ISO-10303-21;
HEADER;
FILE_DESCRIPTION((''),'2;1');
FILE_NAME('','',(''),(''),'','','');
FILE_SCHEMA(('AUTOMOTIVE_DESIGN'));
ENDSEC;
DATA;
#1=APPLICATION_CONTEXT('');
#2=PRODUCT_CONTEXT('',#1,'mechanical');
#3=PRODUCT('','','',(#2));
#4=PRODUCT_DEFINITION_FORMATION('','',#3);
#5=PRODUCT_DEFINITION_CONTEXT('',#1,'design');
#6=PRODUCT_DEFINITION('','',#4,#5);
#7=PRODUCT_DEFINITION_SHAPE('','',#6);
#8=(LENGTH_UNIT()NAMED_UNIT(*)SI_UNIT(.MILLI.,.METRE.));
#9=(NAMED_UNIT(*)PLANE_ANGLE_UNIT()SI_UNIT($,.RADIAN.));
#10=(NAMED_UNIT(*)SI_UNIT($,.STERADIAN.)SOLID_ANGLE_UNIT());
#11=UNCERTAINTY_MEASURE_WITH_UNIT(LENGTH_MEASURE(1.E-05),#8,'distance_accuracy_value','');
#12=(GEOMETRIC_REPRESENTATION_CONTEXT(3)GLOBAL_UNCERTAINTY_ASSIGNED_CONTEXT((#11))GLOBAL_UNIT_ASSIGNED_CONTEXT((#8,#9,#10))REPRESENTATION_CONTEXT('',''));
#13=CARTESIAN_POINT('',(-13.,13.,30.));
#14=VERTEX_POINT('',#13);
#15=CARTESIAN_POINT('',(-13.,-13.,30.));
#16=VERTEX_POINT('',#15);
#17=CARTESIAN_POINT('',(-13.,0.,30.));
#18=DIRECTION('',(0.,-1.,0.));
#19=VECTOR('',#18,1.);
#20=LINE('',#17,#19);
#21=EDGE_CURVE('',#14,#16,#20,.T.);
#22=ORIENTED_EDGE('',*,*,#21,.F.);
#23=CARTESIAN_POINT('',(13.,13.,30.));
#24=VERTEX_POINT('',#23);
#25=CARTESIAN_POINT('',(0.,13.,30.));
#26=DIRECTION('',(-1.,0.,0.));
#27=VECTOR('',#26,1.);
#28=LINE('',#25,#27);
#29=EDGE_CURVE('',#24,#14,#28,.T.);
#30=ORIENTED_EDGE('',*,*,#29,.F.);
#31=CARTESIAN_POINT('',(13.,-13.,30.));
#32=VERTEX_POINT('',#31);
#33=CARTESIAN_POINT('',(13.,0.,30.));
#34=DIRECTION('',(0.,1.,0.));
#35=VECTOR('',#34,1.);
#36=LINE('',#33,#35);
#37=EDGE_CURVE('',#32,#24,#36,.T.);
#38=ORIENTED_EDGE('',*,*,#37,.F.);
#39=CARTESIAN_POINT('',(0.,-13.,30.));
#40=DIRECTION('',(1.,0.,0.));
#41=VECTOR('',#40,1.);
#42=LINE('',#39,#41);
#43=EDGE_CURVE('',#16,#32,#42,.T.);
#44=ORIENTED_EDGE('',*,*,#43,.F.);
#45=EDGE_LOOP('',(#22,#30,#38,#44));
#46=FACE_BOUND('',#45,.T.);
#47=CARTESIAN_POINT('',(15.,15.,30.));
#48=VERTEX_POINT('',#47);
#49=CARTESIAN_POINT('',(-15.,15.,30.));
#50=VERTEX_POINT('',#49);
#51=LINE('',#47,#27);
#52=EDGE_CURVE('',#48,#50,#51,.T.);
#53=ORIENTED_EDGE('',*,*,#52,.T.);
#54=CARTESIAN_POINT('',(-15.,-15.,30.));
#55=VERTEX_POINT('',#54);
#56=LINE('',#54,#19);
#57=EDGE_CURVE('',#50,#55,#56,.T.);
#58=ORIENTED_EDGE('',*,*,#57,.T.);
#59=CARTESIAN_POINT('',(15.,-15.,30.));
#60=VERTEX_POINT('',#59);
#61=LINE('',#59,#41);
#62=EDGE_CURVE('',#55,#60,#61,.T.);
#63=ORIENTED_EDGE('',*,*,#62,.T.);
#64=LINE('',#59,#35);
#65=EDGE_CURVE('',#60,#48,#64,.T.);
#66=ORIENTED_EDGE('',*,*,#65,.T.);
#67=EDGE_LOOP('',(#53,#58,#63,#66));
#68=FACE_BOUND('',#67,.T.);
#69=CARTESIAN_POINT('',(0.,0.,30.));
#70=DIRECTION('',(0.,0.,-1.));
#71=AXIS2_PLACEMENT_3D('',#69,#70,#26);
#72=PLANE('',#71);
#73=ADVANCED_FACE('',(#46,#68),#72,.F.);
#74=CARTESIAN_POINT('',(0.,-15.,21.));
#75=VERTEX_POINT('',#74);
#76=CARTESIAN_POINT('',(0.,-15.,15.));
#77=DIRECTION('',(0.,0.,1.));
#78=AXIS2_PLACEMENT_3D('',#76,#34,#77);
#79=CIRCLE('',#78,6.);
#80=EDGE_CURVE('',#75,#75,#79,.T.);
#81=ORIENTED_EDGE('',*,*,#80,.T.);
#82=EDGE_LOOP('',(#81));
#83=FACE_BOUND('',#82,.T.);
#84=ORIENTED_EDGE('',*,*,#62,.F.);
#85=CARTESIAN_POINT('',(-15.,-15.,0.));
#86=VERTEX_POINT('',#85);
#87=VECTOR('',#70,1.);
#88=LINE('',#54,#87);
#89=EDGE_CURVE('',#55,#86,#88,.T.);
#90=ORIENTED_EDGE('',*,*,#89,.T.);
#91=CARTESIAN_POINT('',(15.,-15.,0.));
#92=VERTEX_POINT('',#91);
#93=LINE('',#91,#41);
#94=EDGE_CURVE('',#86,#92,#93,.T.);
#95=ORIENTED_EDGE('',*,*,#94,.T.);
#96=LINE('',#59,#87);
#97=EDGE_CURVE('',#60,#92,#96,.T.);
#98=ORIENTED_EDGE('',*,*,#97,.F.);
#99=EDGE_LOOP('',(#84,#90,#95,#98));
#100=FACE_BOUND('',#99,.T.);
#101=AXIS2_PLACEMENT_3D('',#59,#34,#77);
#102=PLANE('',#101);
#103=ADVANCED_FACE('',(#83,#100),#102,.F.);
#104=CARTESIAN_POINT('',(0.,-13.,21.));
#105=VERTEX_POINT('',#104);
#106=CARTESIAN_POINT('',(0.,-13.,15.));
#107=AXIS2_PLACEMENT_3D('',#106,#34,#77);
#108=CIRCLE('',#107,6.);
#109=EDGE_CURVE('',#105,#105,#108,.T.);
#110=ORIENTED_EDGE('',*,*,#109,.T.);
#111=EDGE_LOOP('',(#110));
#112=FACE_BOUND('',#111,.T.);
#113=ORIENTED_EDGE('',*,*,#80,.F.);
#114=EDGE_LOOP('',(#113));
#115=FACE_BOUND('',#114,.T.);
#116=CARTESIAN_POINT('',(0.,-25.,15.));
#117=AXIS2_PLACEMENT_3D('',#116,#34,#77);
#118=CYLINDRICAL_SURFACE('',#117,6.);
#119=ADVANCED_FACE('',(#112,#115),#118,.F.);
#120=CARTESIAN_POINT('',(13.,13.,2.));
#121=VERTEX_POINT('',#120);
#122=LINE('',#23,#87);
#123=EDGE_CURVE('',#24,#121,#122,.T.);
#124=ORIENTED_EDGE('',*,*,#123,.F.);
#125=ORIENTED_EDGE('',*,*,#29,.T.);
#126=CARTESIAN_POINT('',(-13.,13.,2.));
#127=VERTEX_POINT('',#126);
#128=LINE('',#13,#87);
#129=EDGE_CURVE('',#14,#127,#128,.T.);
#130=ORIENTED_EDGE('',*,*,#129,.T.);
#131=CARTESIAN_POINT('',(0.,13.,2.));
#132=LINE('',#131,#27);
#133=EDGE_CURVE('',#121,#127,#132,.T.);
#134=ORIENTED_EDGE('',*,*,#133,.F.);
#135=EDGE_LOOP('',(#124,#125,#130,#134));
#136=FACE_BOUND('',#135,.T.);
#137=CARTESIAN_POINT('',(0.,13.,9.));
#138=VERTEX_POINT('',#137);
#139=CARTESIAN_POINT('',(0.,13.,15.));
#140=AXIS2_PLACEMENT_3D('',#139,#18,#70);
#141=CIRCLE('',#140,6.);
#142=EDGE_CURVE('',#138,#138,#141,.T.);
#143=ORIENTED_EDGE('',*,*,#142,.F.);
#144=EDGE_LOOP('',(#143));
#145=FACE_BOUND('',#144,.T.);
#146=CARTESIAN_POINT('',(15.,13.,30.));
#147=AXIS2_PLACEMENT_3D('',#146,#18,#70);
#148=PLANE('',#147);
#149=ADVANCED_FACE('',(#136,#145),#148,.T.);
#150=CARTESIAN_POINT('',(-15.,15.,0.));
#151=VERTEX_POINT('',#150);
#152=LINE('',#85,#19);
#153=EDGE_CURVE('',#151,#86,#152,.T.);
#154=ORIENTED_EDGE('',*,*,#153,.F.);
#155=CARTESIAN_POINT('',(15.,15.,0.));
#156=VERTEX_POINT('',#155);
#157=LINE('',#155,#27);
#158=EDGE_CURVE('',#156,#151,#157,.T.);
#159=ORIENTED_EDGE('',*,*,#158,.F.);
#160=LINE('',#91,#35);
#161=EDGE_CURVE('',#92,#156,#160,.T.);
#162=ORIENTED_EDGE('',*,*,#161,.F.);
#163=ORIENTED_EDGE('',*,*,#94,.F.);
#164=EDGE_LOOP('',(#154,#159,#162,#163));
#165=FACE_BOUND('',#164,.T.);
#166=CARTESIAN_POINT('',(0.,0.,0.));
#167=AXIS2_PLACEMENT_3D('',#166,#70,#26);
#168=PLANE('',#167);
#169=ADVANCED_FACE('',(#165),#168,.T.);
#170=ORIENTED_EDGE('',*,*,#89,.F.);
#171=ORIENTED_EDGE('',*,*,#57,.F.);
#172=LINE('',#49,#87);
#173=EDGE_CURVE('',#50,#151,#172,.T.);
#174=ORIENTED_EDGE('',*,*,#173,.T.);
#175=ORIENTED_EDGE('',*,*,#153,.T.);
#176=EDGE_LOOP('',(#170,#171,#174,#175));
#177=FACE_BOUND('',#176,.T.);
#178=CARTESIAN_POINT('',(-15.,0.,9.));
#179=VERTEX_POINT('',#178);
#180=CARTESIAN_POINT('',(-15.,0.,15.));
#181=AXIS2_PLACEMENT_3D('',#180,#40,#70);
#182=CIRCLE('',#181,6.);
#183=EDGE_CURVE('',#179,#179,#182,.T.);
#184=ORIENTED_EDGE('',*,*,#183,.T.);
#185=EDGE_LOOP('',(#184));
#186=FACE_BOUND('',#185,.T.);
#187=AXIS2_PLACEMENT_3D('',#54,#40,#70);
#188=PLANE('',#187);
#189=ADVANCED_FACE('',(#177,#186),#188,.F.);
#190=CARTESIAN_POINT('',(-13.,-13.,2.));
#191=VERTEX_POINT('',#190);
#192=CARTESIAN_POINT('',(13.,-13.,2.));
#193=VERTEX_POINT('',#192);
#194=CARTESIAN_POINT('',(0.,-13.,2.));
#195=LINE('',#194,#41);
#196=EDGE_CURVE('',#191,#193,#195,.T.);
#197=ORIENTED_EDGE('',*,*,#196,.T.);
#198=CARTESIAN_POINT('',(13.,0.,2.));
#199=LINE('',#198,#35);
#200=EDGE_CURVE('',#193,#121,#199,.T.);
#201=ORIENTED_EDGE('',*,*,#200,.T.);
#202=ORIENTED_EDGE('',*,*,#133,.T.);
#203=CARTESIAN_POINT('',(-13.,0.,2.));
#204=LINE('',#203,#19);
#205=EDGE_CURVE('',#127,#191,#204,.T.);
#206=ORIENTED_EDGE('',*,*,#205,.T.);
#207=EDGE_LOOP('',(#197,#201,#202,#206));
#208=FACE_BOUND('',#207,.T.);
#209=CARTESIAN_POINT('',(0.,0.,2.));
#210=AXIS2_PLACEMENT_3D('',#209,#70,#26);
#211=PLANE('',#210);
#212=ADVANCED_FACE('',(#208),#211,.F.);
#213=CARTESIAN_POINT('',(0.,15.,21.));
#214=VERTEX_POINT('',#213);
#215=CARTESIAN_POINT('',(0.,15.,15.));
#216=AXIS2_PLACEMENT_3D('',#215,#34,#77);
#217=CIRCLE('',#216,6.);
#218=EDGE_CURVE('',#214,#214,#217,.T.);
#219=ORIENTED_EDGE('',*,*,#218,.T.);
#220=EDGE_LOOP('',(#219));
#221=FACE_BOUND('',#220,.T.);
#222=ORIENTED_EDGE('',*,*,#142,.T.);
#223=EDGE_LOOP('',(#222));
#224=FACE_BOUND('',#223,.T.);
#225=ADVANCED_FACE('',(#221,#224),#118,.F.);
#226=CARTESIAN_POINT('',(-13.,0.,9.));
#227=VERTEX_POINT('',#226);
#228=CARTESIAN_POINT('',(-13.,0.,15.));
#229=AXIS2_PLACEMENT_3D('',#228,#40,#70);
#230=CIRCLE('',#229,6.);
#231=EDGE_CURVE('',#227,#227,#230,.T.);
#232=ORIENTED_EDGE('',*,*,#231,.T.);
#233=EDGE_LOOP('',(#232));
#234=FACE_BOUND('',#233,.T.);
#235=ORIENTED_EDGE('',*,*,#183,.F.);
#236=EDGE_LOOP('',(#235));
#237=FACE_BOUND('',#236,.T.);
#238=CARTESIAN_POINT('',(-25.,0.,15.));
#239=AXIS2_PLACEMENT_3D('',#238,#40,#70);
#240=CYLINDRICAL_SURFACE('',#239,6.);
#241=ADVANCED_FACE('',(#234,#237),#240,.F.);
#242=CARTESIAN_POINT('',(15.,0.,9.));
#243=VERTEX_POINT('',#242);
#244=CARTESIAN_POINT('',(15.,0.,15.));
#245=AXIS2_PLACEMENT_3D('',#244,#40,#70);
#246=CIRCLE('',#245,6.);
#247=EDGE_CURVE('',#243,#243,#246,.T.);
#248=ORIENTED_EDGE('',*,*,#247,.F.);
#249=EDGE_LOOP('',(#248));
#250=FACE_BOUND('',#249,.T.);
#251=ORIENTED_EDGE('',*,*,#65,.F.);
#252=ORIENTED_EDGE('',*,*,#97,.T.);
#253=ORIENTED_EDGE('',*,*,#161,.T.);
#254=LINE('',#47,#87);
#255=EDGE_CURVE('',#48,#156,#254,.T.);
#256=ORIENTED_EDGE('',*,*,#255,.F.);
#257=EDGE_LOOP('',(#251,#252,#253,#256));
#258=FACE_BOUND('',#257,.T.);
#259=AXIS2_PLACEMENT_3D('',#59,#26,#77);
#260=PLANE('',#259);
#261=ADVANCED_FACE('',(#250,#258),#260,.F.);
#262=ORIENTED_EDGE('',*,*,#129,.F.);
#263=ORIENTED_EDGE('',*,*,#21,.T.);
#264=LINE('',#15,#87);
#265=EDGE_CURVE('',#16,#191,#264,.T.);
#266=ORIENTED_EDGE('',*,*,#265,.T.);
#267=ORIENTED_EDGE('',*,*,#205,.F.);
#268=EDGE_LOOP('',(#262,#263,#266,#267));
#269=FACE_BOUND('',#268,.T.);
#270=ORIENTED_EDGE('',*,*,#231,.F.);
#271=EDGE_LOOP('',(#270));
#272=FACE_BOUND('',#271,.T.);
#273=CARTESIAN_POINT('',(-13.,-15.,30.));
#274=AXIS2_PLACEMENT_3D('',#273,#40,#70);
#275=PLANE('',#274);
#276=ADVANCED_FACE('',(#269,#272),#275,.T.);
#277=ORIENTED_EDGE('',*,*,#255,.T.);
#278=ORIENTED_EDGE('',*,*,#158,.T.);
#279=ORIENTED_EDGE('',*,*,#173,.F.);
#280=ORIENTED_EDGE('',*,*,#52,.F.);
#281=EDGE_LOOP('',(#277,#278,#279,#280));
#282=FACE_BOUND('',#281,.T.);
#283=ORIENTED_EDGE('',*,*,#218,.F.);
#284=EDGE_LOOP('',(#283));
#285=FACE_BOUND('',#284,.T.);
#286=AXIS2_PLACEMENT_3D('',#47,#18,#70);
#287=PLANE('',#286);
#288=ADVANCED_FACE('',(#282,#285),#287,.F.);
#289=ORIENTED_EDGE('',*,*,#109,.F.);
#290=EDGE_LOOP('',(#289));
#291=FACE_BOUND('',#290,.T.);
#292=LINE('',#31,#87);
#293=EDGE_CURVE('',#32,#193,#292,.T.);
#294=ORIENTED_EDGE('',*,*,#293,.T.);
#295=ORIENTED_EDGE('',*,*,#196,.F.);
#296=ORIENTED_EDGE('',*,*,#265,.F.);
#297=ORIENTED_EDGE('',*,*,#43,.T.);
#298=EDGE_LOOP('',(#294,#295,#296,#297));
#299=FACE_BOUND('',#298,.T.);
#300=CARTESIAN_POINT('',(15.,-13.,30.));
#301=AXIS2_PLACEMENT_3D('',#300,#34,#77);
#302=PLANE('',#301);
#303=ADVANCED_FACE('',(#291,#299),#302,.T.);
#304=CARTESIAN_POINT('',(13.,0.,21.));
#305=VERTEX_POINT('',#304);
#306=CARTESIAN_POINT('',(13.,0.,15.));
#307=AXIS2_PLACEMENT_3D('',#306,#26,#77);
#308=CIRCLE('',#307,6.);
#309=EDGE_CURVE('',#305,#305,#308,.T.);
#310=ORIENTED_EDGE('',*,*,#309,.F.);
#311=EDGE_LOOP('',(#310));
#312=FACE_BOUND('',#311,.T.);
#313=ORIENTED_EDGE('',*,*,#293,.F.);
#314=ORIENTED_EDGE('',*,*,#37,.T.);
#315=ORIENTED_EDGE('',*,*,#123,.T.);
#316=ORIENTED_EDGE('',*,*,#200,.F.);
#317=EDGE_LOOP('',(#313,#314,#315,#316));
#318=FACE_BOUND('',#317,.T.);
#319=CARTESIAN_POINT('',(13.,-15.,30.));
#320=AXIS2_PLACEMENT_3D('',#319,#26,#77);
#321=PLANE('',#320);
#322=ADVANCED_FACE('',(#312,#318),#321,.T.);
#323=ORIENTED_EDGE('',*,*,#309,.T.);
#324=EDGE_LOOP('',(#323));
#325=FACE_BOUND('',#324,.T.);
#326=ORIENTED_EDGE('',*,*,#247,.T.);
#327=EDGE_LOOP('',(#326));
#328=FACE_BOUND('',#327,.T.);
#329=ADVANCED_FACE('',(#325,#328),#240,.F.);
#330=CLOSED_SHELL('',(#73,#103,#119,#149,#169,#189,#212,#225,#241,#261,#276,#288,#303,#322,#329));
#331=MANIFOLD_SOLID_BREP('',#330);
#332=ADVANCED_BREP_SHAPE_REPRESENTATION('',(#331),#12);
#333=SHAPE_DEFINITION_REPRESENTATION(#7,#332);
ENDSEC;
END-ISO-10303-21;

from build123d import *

# Parameters (mm, degrees)
SKETCH1_W           = 30
SKETCH1_H           = 30
BOSS_EXTRUDE1_DEPTH = 30
SHELL1_T            = -2
SKETCH2_R           = 6
CUT_EXTRUDE1_DEPTH  = 40
SKETCH3_R           = 6
CUT_EXTRUDE2_DEPTH  = 40


with BuildPart() as part:
    # Sketch1 → Boss-Extrude1 (new body)
    with BuildSketch(Plane(origin=(0, 0, 0), x_dir=(0, 1, 0), z_dir=(0, 0, 1))):
        Rectangle(SKETCH1_W, SKETCH1_H)
    extrude(amount=BOSS_EXTRUDE1_DEPTH)

    # Shell1
    shell1_openings = [part.faces().sort_by_distance(p)[0] for p in [
        (0, 0, 30),
    ]]
    offset(amount=SHELL1_T, openings=shell1_openings, kind=Kind.INTERSECTION)

    # Sketch2 → Cut-Extrude1 (cut)
    with BuildSketch(Plane(origin=(0, 15, 0), x_dir=(-1, 0, 0), z_dir=(0, 1, 0))):
        with Locations((0, 15)):
            Circle(SKETCH2_R)
    extrude(amount=-CUT_EXTRUDE1_DEPTH, mode=Mode.SUBTRACT)

    # Sketch3 → Cut-Extrude2 (cut)
    with BuildSketch(Plane.YZ.offset(15)):
        with Locations((0, 15)):
            Circle(SKETCH3_R)
    extrude(amount=-CUT_EXTRUDE2_DEPTH, mode=Mode.SUBTRACT)


solid = part.part
